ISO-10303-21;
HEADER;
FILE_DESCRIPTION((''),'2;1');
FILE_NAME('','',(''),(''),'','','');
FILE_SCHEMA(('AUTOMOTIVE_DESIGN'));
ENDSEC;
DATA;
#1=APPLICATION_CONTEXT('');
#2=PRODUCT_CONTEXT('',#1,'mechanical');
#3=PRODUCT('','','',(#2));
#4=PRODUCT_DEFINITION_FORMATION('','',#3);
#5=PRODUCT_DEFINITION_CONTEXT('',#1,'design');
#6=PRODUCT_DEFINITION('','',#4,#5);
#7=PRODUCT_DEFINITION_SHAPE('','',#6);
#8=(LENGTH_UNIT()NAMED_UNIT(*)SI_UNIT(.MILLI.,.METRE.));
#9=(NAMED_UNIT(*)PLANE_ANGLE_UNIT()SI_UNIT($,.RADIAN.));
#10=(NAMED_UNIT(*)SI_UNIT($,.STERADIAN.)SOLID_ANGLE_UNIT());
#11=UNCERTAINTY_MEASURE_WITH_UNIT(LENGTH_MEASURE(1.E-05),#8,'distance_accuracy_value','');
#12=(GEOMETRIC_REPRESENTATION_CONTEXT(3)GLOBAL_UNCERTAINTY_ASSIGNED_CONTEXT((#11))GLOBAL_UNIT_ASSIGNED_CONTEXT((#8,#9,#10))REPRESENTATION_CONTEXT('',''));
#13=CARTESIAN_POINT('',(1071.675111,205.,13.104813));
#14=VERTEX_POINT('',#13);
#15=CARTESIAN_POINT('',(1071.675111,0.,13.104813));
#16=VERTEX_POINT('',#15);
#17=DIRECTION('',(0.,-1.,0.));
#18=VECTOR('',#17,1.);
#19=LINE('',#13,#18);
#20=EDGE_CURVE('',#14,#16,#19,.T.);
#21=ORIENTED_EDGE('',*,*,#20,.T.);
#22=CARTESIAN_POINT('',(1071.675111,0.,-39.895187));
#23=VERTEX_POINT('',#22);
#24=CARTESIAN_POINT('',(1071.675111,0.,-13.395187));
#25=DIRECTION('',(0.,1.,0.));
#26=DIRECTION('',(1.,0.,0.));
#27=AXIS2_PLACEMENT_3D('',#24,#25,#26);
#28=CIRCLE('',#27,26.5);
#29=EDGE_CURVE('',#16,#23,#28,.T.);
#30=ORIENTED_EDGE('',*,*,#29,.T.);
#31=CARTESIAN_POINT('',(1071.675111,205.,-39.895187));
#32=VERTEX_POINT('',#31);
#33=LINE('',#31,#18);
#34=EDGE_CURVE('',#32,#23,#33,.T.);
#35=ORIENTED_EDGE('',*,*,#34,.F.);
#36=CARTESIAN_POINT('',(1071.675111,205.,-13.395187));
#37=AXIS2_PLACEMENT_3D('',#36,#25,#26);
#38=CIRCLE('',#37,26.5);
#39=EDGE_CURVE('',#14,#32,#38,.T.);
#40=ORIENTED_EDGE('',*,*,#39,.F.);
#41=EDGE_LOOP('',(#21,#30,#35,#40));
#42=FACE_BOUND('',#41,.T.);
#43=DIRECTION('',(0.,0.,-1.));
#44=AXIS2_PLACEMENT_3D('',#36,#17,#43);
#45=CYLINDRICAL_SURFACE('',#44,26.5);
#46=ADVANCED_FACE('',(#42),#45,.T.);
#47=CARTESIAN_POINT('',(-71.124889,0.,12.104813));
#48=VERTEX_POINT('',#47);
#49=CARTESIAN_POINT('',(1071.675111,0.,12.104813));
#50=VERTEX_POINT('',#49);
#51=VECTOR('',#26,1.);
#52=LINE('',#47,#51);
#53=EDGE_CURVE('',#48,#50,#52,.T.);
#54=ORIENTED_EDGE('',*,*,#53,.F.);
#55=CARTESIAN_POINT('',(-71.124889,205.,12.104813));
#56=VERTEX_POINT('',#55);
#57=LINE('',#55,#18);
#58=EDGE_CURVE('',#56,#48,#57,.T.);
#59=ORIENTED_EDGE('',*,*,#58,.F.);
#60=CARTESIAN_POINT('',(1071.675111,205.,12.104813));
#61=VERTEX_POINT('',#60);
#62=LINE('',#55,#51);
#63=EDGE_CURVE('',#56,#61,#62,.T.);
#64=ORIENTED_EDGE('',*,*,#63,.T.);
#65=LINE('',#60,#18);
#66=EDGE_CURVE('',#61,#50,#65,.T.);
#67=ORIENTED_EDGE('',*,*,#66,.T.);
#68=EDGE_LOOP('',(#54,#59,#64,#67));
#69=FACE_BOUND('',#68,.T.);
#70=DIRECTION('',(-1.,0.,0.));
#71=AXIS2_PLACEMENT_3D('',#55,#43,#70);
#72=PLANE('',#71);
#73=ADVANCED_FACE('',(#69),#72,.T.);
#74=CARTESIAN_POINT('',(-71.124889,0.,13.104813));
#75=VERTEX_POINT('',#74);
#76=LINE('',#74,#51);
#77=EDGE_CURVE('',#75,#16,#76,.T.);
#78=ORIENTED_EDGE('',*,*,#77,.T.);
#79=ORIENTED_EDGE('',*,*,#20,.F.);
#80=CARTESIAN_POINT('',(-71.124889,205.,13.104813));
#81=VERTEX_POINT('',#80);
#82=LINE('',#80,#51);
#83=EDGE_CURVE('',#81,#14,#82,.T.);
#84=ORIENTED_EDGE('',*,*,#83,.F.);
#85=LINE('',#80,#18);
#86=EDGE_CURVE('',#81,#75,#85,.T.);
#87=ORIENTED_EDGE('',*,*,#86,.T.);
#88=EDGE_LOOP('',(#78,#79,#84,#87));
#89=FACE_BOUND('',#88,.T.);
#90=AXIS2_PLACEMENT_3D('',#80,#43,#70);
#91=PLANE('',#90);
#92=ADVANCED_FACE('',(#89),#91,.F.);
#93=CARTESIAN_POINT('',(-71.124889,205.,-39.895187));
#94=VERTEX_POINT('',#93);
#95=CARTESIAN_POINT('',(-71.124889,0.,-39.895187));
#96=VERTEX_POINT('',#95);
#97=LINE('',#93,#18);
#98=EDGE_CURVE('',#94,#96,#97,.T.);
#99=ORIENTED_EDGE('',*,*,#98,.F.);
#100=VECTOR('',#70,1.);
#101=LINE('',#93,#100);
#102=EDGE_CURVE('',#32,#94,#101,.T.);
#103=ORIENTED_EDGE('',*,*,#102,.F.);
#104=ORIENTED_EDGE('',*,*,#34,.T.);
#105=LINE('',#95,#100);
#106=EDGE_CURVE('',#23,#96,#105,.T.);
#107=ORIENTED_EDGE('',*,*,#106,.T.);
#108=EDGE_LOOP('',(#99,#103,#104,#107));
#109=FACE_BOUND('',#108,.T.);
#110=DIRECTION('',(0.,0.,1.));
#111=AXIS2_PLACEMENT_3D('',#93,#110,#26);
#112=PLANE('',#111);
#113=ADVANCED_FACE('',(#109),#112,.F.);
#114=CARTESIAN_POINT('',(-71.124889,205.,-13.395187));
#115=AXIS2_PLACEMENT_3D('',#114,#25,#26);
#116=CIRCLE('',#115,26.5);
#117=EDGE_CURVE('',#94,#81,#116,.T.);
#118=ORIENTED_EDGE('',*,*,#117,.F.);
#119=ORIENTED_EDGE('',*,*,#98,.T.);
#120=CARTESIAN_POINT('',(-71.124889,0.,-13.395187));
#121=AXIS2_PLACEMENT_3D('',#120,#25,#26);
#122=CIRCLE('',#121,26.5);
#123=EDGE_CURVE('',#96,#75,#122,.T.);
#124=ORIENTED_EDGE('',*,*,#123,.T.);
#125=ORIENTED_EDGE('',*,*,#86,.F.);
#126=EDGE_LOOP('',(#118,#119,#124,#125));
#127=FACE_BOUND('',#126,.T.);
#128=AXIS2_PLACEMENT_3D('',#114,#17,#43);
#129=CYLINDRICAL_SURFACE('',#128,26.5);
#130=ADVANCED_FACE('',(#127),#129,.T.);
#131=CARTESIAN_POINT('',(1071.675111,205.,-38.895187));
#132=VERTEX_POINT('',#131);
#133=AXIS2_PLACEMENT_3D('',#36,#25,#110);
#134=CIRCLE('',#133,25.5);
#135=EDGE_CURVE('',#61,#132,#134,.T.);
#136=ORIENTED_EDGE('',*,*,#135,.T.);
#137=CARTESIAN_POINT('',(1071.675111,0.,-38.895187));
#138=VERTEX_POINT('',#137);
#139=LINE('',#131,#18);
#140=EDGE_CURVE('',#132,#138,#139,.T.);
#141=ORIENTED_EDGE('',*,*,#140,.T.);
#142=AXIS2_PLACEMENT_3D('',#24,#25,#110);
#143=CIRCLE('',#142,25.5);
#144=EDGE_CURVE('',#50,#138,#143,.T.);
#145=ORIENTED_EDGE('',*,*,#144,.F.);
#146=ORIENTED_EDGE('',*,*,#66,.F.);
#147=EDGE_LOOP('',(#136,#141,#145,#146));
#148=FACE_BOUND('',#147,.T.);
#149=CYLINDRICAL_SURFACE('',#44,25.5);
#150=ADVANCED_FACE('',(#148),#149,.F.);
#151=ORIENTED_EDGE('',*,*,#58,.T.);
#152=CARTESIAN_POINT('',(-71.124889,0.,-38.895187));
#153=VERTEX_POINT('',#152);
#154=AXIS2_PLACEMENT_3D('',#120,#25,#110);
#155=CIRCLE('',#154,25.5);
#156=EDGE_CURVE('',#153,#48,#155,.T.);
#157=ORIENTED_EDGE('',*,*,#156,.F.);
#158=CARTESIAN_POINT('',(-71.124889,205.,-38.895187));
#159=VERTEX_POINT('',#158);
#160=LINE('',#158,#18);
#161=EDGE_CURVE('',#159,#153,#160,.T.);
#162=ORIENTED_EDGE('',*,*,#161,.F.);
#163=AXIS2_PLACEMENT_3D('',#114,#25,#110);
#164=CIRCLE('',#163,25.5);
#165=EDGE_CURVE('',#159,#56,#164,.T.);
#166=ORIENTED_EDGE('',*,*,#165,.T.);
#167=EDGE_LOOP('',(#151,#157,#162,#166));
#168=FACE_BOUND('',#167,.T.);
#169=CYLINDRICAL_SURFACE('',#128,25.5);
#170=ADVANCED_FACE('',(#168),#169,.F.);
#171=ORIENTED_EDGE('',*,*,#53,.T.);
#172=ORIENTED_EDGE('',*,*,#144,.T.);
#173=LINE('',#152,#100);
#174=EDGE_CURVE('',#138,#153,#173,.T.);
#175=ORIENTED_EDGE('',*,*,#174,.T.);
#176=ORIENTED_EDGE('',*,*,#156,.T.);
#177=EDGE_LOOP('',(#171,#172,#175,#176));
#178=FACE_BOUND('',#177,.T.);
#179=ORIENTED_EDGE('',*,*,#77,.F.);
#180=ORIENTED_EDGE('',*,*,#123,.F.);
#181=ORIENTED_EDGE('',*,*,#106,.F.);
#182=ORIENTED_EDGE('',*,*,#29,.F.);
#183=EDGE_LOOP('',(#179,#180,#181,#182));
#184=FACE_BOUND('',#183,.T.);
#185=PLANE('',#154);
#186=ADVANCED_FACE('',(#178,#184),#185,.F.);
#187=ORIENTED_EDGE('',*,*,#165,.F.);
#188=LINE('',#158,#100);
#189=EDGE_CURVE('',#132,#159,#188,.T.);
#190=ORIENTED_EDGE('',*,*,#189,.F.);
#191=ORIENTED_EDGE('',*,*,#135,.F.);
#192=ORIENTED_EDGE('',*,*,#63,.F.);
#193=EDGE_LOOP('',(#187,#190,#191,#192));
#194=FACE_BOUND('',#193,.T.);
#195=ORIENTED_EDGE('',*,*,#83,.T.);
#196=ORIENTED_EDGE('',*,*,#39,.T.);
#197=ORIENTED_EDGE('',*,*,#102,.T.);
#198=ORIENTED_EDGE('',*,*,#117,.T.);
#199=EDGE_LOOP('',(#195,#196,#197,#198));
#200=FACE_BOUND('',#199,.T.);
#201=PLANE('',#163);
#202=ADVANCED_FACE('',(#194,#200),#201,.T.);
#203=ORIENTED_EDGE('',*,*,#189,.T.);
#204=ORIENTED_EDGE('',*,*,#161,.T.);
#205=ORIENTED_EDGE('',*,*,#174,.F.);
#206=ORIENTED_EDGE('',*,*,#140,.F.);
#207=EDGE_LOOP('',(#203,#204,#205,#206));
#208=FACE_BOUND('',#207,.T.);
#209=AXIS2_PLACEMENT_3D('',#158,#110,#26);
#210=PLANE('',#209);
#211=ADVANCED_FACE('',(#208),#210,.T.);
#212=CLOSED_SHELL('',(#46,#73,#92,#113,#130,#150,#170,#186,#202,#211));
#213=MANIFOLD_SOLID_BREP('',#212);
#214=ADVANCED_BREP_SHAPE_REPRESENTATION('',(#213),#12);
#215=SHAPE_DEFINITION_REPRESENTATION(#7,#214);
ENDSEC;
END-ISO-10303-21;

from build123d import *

# Parameters (mm, degrees)
EXTRUDE_THIN1_DEPTH = 205


with BuildPart() as part:
    # Sketch1 → Extrude-Thin1 (new body)
    with BuildSketch(Plane(origin=(0, 0, 0), x_dir=(1, 0, 0), z_dir=(0, 1, 0))):
        with BuildLine():
            Line((1071.675111413, -13.104812649), (-71.124888587, -13.104812649))
            ThreePointArc((-71.124888587, -13.104812649), (-97.624888587, 13.395187351), (-71.124888587, 39.895187351))
            Line((-71.124888587, 39.895187351), (1071.675111413, 39.895187351))
            ThreePointArc((1071.675111413, 39.895187351), (1098.175111413, 13.395187351), (1071.675111413, -13.104812649))
        make_face()
        with BuildLine():
            Line((1071.675111413, -12.104812649), (-71.124888587, -12.104812649))
            ThreePointArc((-71.124888587, -12.104812649), (-96.624888587, 13.395187351), (-71.124888587, 38.895187351))
            Line((-71.124888587, 38.895187351), (1071.675111413, 38.895187351))
            ThreePointArc((1071.675111413, 38.895187351), (1097.175111413, 13.395187351), (1071.675111413, -12.104812649))
        make_face(mode=Mode.SUBTRACT)
    extrude(amount=EXTRUDE_THIN1_DEPTH)


solid = part.part
